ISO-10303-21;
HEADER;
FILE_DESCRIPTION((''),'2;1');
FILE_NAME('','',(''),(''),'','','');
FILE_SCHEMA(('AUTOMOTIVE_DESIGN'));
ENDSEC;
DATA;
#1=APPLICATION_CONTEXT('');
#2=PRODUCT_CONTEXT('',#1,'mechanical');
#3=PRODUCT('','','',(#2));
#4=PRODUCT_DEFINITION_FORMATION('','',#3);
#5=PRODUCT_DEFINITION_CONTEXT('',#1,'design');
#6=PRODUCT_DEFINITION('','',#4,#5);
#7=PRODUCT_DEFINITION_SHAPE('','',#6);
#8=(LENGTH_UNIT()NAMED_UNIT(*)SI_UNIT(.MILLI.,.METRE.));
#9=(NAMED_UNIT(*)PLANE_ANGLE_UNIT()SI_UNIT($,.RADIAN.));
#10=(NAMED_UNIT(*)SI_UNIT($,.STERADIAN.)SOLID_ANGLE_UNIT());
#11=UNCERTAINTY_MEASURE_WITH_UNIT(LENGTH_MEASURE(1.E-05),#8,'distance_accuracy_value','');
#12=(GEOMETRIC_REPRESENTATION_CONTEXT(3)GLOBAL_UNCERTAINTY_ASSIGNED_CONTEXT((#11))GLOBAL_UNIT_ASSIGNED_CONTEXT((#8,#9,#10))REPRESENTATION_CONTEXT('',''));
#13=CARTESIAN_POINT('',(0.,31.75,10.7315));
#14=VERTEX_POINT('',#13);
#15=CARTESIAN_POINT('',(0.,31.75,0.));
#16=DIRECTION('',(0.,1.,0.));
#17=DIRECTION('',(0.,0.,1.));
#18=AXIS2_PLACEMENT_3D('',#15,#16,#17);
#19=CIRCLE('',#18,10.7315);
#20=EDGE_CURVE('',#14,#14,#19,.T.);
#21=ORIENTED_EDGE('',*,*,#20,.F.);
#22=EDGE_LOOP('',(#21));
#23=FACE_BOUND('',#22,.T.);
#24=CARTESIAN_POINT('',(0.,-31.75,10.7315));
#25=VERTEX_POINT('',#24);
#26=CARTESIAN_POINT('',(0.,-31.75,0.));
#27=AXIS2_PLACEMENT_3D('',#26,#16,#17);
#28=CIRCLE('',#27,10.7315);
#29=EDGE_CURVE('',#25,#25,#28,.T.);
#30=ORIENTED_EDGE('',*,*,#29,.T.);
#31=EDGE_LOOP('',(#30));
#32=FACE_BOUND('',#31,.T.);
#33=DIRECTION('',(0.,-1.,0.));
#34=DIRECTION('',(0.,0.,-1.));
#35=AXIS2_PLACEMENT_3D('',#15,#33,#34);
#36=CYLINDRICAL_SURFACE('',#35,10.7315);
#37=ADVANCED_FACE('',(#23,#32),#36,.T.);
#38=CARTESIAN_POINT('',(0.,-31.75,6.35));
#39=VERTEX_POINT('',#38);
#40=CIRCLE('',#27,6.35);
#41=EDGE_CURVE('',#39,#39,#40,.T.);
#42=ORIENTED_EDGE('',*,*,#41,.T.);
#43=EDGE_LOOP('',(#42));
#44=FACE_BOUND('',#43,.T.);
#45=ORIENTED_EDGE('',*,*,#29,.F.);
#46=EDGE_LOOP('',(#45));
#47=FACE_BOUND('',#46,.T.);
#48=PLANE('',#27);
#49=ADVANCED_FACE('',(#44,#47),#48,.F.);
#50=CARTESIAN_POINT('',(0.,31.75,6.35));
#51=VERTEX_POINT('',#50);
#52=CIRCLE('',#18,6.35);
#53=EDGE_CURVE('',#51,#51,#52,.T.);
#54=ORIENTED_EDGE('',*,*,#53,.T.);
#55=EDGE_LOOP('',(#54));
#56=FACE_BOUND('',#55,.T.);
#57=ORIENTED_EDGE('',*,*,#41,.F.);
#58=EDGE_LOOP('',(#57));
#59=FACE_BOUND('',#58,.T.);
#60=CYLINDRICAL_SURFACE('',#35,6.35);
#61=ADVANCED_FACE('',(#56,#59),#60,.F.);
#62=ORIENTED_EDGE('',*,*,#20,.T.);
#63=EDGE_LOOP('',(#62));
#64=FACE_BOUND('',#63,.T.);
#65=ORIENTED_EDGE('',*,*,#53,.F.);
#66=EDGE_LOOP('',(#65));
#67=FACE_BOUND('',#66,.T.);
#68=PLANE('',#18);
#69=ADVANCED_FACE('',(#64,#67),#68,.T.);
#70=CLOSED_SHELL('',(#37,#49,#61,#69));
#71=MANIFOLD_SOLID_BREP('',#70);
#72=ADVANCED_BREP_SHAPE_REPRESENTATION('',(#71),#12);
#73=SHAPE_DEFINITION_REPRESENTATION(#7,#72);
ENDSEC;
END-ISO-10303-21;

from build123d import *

# Parameters (mm, degrees)
SKETCH1_R           = 10.7315
SKETCH1_R_2         = 6.35
BOSS_EXTRUDE1_DEPTH = 31.75


with BuildPart() as part:
    # Sketch1 → Boss-Extrude1 (new body, symmetric)
    with BuildSketch(Plane(origin=(0, 0, 0), x_dir=(1, 0, 0), z_dir=(0, 1, 0))):
        Circle(SKETCH1_R)
        Circle(SKETCH1_R_2, mode=Mode.SUBTRACT)
    extrude(amount=BOSS_EXTRUDE1_DEPTH, both=True)


solid = part.part
